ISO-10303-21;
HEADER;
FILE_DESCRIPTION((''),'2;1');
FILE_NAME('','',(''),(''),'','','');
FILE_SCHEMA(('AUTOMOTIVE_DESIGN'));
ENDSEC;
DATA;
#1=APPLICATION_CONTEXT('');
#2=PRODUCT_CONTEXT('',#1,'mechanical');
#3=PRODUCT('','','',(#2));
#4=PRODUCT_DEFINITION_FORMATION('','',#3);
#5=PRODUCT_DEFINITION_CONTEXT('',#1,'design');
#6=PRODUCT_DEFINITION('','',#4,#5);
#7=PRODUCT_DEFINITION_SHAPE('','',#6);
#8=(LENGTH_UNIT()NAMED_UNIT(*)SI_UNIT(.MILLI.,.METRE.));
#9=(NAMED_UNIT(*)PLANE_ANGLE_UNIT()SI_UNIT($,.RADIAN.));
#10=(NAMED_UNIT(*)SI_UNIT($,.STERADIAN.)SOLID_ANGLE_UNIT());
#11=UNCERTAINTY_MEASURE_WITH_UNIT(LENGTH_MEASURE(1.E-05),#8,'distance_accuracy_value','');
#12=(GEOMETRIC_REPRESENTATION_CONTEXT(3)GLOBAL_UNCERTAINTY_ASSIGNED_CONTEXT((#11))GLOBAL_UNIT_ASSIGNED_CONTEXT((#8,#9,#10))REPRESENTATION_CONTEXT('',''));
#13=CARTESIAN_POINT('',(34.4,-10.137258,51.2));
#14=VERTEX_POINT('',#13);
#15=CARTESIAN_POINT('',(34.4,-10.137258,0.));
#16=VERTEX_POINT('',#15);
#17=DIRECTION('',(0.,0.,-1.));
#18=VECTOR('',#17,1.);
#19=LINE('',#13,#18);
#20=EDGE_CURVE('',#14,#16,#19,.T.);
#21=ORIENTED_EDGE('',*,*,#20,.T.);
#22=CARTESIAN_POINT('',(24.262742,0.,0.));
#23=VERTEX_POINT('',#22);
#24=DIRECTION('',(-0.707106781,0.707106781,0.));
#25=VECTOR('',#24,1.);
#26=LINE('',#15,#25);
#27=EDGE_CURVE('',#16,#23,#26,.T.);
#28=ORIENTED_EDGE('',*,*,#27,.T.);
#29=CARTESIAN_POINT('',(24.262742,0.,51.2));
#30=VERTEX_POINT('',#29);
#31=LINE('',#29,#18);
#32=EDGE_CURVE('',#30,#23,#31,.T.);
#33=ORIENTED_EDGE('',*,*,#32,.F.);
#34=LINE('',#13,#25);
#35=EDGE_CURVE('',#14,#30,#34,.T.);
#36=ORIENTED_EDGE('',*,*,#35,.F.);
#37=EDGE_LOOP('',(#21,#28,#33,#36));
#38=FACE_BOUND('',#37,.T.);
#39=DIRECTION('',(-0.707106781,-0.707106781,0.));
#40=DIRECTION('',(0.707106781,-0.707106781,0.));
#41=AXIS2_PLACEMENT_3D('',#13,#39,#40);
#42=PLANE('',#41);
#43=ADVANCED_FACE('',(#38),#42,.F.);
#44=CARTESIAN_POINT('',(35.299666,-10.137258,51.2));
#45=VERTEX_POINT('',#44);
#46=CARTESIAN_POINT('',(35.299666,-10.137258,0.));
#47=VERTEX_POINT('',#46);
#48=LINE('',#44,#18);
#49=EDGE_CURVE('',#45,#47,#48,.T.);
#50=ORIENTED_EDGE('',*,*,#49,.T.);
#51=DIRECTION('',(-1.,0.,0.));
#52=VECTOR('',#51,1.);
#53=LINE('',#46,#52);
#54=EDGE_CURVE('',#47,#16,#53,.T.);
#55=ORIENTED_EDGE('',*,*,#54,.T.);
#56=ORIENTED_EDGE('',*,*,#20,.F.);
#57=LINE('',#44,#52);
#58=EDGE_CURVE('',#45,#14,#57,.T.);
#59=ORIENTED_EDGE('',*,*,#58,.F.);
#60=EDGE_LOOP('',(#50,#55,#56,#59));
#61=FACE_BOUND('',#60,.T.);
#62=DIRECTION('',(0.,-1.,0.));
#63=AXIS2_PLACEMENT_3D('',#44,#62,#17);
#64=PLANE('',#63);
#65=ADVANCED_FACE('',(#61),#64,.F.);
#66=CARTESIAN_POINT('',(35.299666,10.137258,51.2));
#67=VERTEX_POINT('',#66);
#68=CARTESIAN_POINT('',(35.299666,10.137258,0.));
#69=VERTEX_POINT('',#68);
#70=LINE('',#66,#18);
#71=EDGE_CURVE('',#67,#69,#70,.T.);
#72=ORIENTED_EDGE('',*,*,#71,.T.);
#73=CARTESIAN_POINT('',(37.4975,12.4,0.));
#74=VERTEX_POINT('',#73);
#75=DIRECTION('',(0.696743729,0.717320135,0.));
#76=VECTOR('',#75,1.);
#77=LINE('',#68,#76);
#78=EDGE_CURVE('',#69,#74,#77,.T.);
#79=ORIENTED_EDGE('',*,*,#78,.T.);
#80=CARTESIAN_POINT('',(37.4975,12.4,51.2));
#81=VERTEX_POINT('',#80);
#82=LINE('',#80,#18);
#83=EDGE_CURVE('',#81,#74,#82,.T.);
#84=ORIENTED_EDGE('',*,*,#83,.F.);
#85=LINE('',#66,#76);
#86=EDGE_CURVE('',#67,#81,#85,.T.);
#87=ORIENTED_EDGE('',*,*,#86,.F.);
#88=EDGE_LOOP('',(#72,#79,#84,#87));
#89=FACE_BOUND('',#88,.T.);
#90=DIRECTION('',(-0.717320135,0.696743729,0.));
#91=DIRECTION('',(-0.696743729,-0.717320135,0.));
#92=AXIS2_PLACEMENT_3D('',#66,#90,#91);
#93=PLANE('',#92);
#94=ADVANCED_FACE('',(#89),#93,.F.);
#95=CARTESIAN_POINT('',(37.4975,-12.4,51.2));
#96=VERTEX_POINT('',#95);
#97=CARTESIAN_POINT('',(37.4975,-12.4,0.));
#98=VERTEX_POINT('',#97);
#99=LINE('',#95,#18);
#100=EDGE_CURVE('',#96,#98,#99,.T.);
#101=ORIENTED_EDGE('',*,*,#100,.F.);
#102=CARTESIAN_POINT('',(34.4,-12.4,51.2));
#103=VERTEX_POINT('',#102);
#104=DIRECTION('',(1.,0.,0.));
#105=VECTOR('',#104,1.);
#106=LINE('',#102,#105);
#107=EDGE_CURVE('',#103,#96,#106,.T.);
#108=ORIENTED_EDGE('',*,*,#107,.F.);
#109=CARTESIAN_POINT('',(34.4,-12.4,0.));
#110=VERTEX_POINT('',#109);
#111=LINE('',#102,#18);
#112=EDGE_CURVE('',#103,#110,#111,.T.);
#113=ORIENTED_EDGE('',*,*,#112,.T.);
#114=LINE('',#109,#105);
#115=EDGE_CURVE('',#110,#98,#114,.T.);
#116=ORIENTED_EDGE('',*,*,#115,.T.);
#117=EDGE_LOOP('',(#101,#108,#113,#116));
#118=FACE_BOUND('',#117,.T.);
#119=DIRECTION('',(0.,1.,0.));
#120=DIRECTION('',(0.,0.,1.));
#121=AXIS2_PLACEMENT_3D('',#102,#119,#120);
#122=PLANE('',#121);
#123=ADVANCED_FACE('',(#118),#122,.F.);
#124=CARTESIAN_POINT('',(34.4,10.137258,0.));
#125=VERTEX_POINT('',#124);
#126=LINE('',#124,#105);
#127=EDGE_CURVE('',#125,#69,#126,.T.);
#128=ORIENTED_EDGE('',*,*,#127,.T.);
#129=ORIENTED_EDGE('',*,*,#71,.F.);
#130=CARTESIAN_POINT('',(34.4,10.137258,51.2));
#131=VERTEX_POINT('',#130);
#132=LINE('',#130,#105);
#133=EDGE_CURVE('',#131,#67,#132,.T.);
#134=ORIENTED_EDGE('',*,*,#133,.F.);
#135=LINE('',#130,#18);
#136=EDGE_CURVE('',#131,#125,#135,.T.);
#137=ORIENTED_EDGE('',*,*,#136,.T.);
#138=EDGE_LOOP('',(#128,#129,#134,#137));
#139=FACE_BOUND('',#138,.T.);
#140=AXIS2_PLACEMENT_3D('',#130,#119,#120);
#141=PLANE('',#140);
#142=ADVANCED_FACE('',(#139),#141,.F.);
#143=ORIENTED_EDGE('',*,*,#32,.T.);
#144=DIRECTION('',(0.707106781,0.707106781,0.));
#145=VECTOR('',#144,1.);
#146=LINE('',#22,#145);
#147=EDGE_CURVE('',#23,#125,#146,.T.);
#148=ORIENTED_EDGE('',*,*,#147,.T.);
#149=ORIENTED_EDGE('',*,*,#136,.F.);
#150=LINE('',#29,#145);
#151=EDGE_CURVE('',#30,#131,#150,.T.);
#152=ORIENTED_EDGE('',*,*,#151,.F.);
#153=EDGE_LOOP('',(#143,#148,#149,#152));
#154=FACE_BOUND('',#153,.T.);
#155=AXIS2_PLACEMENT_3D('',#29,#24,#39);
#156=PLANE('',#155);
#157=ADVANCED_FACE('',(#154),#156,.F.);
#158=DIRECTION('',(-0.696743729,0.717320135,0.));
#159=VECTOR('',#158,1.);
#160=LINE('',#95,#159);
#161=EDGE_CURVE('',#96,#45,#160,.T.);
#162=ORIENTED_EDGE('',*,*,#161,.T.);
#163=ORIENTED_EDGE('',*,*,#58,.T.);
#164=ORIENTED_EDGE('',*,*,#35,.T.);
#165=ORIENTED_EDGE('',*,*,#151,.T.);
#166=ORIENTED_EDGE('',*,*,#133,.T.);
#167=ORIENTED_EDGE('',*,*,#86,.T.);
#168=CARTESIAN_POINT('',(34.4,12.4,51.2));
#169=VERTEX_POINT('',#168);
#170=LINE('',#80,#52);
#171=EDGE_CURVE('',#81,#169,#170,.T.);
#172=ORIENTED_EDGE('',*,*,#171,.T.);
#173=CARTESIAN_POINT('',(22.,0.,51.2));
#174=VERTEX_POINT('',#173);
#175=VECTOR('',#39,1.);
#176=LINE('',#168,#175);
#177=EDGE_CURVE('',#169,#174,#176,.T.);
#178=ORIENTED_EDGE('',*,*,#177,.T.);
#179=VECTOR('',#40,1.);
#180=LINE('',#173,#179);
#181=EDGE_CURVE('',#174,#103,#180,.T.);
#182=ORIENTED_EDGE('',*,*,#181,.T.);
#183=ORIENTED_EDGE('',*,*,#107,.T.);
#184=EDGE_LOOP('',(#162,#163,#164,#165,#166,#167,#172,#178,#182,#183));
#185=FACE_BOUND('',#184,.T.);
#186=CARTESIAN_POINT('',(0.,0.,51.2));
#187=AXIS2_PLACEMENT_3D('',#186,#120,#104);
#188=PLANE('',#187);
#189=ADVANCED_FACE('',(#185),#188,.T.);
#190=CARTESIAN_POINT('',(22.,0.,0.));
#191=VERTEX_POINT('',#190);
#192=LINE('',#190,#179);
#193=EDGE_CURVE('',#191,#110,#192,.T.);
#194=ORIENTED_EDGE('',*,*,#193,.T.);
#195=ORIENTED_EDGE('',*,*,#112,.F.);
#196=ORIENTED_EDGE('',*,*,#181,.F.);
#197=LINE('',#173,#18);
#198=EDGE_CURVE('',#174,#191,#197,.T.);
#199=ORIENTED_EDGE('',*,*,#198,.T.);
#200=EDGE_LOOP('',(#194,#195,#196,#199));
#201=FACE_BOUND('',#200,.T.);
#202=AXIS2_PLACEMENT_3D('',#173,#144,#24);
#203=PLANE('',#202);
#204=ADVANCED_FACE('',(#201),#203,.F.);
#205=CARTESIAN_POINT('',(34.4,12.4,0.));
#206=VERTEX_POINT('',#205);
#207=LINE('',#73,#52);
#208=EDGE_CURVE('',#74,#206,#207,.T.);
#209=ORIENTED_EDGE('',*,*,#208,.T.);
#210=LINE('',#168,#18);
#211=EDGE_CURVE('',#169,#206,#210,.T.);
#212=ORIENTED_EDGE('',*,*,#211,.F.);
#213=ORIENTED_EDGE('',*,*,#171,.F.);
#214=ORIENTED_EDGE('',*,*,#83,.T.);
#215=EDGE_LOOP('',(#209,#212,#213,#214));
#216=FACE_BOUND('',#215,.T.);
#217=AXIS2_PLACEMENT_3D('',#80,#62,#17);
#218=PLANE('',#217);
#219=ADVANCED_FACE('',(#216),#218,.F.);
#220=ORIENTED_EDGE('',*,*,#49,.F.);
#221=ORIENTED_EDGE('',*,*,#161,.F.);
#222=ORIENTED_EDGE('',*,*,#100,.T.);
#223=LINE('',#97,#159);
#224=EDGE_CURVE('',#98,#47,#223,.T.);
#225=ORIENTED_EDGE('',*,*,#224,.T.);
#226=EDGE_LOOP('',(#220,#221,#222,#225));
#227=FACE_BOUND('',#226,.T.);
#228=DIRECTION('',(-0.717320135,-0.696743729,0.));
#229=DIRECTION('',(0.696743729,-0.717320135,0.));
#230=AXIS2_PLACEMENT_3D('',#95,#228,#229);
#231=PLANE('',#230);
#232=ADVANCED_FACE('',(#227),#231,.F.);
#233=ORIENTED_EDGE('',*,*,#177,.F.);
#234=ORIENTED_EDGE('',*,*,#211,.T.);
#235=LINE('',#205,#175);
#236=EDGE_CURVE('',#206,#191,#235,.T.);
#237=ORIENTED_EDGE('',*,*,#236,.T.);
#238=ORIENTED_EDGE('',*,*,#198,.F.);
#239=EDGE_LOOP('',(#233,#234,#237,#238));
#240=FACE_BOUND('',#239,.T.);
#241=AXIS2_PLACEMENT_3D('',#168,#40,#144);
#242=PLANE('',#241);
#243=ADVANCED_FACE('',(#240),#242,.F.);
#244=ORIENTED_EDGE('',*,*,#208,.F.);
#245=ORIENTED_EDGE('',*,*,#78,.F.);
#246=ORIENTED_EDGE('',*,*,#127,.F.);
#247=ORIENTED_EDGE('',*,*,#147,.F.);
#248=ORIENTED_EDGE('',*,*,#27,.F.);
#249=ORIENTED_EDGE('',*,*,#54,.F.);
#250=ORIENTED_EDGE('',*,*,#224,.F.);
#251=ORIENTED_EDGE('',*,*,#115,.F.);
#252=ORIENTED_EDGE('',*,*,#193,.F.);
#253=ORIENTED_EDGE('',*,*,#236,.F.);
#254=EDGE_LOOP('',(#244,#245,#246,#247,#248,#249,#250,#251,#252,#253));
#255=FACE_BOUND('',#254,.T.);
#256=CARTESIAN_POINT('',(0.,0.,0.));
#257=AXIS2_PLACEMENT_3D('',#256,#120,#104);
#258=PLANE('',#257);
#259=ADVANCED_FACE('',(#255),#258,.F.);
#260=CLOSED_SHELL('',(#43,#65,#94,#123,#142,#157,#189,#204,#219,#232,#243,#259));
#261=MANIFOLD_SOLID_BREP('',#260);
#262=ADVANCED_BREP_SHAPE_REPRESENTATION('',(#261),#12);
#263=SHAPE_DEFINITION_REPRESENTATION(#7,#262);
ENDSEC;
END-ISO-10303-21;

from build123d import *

# Parameters (mm, degrees)
V_DEFLECTOR_DEPTH = 51.2


with BuildPart() as part:
    # Sketch1 → V_deflector (new body)
    with BuildSketch(Plane.XY):
        Polygon((22, 0), (34.4, -12.4), (37.497500298, -12.4), (35.299665589, -10.1372583), (34.4, -10.1372583), (24.2627417, 0), (34.4, 10.1372583), (35.299665589, 10.1372583), (37.497500298, 12.4), (34.4, 12.4), align=None)
    extrude(amount=V_DEFLECTOR_DEPTH)


solid = part.part
